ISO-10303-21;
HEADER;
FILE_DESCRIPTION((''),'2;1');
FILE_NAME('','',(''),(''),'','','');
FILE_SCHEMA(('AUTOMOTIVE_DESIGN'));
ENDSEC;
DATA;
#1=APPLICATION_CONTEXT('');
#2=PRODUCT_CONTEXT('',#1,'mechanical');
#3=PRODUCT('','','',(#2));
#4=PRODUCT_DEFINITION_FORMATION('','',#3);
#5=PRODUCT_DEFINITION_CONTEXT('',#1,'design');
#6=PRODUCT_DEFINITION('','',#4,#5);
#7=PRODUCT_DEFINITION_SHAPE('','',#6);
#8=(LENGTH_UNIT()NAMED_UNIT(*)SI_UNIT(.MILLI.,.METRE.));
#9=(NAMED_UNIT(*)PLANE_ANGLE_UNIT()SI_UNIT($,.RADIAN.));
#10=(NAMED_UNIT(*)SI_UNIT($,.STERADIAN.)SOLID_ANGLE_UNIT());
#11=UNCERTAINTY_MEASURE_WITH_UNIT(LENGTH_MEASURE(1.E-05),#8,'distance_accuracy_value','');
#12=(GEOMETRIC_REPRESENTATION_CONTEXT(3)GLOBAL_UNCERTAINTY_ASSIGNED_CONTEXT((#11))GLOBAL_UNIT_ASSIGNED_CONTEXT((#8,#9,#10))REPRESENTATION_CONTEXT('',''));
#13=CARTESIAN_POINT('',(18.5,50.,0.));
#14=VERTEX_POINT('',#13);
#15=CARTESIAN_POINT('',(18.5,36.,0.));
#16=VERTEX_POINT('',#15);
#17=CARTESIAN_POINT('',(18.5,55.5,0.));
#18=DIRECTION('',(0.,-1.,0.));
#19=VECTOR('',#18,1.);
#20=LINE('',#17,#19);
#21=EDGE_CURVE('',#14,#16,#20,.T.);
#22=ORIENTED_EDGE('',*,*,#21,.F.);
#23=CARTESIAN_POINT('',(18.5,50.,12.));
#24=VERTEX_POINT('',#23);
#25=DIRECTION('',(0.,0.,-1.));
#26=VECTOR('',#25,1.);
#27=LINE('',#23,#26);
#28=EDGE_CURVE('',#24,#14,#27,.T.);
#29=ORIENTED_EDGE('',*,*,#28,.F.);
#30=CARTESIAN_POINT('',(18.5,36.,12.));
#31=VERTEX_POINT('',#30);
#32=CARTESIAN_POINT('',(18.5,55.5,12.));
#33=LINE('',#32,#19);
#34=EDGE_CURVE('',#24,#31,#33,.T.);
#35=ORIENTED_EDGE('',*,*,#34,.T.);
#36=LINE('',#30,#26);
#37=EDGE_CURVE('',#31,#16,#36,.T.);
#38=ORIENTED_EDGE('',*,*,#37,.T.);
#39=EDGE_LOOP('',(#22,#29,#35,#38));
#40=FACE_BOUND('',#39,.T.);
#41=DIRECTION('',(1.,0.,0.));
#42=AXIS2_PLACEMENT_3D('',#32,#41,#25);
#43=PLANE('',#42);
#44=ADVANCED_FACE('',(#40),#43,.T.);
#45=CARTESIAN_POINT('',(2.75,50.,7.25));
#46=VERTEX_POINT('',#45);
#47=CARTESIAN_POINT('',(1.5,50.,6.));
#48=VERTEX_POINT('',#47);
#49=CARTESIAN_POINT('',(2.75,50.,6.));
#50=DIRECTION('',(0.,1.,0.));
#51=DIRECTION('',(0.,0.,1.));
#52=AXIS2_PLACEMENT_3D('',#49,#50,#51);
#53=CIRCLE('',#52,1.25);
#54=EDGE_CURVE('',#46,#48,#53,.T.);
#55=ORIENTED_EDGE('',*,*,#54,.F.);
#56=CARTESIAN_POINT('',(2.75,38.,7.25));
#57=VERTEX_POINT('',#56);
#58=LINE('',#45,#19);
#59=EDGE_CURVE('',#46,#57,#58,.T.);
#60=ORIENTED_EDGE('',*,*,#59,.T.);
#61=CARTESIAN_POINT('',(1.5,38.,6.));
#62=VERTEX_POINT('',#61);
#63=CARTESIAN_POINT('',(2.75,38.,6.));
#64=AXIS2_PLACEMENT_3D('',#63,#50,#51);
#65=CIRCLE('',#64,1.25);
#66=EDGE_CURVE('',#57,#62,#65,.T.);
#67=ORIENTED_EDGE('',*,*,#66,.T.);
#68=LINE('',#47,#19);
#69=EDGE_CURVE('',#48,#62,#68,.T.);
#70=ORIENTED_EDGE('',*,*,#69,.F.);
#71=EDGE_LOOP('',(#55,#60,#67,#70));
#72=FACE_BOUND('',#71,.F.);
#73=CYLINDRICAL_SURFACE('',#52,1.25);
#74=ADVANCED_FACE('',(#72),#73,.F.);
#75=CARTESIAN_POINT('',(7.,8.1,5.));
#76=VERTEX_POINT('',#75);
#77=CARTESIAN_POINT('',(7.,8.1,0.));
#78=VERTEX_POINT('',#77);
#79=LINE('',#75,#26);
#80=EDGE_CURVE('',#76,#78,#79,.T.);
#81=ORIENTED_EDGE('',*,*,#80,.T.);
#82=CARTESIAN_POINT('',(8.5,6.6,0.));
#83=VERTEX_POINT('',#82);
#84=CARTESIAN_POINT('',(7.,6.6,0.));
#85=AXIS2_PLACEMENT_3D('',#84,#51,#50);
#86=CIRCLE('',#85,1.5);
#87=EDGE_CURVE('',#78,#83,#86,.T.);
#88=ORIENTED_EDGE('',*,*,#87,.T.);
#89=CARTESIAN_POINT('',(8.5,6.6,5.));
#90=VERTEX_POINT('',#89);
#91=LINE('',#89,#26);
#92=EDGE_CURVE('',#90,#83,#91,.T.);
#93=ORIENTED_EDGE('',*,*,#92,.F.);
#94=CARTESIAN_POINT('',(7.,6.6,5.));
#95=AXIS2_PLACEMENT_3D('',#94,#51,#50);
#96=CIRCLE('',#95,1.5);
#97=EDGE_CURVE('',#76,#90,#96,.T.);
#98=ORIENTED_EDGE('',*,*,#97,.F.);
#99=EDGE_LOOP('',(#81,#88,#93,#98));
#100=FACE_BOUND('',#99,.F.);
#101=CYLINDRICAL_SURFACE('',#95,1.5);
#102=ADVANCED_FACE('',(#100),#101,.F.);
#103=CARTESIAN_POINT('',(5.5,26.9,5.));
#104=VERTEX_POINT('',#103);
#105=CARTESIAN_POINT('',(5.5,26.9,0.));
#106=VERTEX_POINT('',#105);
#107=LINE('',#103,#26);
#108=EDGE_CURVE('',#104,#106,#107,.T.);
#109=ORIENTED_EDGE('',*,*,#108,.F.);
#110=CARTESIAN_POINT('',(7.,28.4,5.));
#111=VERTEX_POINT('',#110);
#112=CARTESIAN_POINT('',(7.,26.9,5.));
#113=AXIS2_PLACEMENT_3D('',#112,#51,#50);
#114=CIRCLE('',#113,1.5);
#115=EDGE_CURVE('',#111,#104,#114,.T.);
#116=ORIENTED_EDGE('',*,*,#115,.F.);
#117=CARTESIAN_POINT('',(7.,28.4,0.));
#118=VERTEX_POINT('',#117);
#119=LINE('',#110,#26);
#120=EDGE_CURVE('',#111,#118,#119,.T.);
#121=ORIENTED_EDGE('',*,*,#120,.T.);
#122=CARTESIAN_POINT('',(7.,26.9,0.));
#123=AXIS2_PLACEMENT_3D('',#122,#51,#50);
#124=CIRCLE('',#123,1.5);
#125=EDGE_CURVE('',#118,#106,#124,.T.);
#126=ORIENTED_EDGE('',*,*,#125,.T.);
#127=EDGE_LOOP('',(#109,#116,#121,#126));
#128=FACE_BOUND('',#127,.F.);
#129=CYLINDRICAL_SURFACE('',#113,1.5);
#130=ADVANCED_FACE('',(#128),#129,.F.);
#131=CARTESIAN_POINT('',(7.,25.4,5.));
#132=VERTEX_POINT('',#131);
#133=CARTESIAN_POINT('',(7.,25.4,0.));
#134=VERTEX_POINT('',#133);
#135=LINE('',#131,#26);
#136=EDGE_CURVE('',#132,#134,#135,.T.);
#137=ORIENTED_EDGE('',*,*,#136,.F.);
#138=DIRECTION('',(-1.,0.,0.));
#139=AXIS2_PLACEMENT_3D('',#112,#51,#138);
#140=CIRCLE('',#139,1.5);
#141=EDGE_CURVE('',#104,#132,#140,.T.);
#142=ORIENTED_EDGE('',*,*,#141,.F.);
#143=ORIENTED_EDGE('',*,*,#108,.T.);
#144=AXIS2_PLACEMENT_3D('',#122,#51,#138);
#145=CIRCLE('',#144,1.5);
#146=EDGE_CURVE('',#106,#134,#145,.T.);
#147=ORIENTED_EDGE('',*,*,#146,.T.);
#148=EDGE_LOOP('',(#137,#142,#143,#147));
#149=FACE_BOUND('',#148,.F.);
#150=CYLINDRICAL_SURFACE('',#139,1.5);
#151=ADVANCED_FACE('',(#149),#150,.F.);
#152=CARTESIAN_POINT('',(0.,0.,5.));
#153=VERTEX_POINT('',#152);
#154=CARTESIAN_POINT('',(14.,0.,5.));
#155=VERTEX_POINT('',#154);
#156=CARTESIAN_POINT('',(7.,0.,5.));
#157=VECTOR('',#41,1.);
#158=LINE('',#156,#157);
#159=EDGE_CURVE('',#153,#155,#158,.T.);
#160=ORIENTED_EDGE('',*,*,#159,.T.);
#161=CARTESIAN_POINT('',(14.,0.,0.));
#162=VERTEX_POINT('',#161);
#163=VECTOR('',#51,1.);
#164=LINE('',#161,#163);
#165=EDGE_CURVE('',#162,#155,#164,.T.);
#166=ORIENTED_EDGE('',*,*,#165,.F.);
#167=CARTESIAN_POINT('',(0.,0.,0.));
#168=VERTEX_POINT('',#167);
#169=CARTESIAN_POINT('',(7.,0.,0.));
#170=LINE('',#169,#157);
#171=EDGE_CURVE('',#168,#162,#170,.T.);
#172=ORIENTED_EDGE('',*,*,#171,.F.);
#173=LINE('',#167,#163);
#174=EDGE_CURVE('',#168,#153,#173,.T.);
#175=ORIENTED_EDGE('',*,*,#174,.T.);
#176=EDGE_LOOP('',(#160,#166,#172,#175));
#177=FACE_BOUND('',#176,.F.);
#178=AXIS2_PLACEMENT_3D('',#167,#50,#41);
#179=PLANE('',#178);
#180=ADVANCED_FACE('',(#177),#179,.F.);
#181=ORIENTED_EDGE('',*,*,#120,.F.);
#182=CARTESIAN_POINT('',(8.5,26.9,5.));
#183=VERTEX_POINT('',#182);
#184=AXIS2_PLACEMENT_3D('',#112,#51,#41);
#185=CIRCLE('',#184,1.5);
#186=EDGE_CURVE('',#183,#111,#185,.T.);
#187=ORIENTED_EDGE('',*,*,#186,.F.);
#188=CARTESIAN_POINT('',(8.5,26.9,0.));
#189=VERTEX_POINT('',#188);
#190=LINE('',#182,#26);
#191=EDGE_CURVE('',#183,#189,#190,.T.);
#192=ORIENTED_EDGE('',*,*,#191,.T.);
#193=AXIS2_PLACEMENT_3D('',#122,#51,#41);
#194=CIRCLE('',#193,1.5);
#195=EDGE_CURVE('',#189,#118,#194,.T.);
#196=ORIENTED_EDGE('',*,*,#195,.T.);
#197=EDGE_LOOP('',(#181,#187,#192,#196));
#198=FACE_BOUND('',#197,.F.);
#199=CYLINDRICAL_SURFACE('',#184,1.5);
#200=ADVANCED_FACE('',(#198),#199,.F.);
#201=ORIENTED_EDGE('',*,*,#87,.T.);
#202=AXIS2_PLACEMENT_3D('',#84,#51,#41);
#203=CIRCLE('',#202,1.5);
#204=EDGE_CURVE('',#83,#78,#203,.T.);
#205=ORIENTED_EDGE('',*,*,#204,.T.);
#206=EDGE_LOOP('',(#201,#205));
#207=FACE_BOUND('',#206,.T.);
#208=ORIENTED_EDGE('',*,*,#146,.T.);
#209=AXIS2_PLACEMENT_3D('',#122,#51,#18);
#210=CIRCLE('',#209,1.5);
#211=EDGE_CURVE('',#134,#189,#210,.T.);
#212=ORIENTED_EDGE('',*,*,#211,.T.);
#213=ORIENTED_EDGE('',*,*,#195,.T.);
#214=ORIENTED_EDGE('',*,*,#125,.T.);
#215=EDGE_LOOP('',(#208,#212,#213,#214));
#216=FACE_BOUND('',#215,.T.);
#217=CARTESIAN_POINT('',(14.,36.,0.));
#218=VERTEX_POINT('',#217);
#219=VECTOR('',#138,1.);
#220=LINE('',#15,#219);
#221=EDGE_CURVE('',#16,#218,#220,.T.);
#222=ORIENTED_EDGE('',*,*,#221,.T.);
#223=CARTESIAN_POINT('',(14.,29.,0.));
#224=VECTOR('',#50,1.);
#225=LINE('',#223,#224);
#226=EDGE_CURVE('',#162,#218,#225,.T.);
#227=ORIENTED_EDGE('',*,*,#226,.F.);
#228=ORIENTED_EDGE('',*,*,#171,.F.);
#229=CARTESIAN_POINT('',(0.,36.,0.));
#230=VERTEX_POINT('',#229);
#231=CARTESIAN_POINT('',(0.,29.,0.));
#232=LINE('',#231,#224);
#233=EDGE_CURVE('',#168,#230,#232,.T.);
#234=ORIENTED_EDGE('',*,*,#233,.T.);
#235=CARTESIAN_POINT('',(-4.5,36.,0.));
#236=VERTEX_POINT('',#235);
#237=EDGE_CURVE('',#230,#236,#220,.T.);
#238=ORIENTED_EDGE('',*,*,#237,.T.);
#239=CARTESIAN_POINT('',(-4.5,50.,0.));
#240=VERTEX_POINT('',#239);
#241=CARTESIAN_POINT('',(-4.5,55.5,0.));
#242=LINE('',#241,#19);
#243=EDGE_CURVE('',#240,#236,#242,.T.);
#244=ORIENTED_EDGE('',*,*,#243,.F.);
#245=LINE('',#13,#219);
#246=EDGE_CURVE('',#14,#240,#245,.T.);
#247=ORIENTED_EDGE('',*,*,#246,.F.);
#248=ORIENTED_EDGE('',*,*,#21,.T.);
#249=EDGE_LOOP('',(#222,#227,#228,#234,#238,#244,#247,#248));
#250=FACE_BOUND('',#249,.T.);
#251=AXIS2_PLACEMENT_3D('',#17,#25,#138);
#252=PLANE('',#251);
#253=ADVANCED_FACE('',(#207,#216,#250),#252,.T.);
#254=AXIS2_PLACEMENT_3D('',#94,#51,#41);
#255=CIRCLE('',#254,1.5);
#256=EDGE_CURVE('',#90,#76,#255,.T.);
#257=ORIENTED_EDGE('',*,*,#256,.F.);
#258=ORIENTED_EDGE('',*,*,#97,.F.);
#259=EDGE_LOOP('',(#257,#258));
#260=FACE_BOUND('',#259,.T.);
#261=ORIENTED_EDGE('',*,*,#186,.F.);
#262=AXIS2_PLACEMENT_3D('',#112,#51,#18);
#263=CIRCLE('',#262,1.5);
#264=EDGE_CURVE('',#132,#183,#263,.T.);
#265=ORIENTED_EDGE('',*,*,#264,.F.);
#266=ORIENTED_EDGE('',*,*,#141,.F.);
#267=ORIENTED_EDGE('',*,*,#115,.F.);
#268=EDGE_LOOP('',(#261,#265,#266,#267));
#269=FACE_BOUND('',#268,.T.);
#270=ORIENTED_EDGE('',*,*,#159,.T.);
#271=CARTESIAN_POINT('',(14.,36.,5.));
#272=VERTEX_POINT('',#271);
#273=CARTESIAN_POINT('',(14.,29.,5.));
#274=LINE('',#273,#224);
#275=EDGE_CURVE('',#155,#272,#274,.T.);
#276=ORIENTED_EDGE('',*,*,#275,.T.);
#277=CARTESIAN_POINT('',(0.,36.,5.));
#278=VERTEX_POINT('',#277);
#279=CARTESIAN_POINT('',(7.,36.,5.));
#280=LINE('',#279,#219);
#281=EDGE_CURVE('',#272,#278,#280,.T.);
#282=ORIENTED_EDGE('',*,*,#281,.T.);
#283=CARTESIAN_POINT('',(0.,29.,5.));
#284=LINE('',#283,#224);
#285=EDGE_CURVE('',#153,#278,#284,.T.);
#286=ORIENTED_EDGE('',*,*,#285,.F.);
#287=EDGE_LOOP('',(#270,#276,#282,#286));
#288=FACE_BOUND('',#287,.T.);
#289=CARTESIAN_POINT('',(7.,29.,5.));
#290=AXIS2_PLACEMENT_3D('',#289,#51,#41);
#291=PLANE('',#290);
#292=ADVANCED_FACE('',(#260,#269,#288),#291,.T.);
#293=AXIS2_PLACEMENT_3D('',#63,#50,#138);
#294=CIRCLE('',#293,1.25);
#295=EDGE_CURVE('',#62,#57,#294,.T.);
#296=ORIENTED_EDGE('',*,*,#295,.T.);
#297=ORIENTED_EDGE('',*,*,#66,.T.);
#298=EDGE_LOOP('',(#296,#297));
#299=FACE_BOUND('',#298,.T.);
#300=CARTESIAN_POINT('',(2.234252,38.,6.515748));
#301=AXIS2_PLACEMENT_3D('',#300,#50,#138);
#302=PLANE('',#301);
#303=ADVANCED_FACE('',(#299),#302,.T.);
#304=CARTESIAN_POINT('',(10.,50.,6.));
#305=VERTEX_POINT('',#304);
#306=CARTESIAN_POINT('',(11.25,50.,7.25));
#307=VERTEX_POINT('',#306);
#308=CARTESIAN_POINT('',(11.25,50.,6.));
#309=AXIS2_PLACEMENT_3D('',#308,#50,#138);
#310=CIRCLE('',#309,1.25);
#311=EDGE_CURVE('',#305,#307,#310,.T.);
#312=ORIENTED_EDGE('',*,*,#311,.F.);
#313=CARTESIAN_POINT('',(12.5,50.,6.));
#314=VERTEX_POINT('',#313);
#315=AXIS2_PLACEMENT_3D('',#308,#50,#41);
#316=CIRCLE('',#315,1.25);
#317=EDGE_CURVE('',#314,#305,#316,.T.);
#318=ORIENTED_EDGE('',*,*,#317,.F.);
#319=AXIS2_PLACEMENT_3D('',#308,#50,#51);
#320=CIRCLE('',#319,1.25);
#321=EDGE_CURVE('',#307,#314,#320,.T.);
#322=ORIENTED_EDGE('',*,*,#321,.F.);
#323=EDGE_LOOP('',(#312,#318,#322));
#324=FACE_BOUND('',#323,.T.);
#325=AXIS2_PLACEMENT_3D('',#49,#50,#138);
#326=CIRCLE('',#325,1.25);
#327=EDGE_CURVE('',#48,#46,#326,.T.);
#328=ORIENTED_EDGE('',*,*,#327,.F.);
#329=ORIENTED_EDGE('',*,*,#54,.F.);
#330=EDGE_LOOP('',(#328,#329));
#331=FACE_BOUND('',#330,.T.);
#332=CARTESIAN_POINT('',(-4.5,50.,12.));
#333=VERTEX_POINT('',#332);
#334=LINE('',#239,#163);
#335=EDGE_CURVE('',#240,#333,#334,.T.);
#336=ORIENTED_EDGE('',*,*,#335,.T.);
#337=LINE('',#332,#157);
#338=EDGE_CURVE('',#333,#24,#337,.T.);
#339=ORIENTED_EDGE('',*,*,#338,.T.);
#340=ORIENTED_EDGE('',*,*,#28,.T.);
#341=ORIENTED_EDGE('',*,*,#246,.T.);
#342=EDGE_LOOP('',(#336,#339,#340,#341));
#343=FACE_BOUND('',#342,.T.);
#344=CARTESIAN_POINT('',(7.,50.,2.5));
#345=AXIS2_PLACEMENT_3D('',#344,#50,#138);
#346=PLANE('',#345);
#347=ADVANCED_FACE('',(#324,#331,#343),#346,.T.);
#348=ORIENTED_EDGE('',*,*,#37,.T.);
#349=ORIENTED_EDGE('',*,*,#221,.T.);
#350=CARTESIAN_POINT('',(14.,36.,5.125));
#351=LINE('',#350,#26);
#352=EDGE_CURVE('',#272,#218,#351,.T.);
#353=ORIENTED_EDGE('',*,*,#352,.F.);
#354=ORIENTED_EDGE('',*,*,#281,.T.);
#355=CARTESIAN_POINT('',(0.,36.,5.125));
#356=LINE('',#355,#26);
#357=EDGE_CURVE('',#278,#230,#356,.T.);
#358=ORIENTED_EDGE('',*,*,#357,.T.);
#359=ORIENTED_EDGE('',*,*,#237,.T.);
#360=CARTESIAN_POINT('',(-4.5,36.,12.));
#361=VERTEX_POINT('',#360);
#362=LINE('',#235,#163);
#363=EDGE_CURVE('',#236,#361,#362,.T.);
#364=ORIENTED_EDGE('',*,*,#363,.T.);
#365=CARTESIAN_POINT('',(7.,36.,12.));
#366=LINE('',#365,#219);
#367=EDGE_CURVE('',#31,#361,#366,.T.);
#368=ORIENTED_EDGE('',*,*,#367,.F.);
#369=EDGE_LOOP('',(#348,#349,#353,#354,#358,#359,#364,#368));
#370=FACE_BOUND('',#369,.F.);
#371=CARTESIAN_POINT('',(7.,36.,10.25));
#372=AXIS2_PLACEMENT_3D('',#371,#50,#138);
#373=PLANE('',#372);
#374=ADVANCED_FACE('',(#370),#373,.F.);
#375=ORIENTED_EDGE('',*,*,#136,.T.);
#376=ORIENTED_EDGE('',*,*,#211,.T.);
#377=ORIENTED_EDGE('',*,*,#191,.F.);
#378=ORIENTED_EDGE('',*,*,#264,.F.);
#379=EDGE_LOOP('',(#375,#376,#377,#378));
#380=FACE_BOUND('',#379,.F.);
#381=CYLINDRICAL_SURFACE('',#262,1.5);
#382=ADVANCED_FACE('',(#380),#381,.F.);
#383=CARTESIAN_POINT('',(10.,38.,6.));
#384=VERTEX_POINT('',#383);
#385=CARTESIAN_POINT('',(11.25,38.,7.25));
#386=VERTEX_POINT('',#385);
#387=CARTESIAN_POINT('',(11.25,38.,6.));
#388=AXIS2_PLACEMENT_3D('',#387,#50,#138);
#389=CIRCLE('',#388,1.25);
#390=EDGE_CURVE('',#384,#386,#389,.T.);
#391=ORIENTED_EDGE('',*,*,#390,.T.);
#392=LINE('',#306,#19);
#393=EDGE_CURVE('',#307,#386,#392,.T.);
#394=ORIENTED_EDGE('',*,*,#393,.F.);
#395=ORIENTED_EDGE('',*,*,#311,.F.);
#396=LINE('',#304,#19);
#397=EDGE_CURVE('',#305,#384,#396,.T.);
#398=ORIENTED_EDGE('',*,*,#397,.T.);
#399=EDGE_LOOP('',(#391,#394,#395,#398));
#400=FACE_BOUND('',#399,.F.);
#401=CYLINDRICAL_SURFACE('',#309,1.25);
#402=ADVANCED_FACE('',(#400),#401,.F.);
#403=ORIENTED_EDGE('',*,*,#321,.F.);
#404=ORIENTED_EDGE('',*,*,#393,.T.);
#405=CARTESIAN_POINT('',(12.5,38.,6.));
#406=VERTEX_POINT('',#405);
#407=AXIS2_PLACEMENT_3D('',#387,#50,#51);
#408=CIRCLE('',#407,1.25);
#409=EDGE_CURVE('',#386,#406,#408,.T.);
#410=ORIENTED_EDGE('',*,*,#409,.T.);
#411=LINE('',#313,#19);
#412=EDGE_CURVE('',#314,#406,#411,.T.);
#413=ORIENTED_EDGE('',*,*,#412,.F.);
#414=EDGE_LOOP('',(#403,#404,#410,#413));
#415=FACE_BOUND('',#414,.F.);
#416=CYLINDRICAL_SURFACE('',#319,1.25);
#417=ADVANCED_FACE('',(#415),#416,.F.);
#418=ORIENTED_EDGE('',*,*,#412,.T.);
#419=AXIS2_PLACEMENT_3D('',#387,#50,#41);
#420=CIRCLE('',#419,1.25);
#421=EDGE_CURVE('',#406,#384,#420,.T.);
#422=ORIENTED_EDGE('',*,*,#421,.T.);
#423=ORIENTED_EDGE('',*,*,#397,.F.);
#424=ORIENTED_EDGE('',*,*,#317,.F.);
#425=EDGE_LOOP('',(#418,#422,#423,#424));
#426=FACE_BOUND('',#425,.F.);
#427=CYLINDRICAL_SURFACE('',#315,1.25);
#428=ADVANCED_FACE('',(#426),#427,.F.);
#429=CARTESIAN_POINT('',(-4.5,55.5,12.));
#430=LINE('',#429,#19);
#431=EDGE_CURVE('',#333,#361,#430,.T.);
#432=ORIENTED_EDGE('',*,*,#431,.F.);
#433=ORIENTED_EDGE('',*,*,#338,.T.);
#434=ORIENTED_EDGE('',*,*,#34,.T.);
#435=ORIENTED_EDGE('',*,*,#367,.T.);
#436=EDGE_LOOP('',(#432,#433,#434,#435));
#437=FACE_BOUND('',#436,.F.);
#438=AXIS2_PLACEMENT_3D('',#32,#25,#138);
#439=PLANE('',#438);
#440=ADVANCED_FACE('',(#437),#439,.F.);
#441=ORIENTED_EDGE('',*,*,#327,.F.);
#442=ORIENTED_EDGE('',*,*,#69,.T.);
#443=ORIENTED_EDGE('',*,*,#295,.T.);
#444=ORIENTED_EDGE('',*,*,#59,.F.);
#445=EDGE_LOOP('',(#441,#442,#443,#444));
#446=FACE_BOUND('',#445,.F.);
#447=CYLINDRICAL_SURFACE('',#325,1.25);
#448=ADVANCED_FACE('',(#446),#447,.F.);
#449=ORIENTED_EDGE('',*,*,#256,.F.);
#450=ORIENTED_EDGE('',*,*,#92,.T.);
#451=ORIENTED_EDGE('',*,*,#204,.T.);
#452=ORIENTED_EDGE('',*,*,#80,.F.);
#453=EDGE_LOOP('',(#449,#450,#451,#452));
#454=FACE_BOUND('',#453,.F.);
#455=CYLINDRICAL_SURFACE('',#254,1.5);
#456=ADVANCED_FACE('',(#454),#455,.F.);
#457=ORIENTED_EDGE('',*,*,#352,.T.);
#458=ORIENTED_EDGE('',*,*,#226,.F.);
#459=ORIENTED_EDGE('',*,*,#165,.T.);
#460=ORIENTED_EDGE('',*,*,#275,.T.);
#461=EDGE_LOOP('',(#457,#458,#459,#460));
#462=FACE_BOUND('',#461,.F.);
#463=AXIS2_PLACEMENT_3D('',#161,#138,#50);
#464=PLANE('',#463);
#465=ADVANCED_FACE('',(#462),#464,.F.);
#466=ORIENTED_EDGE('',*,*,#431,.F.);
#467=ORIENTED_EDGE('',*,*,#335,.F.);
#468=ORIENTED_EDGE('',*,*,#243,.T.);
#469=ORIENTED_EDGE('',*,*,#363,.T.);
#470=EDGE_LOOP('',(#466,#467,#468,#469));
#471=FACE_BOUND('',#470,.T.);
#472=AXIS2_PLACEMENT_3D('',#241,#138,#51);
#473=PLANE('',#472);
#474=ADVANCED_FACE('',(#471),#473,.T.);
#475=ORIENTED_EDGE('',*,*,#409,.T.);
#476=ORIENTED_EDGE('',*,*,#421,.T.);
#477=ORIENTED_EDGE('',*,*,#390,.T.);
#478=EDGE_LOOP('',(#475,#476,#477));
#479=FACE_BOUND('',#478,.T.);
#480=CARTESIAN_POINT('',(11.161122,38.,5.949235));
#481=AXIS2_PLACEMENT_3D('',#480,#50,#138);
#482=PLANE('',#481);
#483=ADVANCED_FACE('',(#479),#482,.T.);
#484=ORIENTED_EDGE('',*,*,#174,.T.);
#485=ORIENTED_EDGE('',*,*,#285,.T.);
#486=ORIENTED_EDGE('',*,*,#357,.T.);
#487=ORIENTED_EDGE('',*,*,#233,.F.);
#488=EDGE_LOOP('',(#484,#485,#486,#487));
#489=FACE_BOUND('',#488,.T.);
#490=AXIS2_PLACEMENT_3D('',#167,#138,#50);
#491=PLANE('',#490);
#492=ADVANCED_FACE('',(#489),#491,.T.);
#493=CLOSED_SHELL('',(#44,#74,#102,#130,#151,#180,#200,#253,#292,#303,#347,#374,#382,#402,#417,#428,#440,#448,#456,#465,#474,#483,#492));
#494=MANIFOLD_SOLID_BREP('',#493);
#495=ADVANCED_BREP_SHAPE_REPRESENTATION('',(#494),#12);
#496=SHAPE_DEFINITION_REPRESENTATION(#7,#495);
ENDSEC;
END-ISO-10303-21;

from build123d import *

# Parameters (mm, degrees)
F0_W      = 14
F0_H      = 58
F1_DEPTH  = 5
F3_DEPTH  = 25
F5_W      = 23
F5_H      = 3.5
F6_DEPTH  = 19.5
F7_W      = 14
F7_H      = 5
F8_DEPTH  = 8
F10_DEPTH = 12


with BuildPart() as f1:
    # F0 (on Top) → F1 (new body)
    with BuildSketch(Plane.XY):
        with Locations((7, 29)):
            Rectangle(F0_W, F0_H)
    extrude(amount=F1_DEPTH)

    # F2 (on face) → F3 (cut)
    with BuildSketch(Plane.XY.offset(5)):
        with BuildLine():
            ThreePointArc((8.5, 26.9), (8.0606601718, 27.9606601718), (7, 28.4))
            Line((7, 28.4), (7, 26.9))
            Line((7, 26.9), (8.5, 26.9))
        make_face()
        with BuildLine():
            Line((7, 26.9), (7, 28.4))
            ThreePointArc((7, 28.4), (5.9393398282, 27.9606601718), (5.5, 26.9))
            Line((5.5, 26.9), (7, 26.9))
        make_face()
        with BuildLine():
            Line((7, 25.4), (7, 26.9))
            Line((7, 26.9), (5.5, 26.9))
            ThreePointArc((5.5, 26.9), (5.9393398282, 25.8393398282), (7, 25.4))
        make_face()
        with BuildLine():
            Line((8.5, 26.9), (7, 26.9))
            Line((7, 26.9), (7, 25.4))
            ThreePointArc((7, 25.4), (8.0606601718, 25.8393398282), (8.5, 26.9))
        make_face()
        with BuildLine():
            ThreePointArc((8.5, 6.6), (8.0606601718, 7.6606601718), (7, 8.1))
            Line((7, 8.1), (7, 6.6))
            Line((7, 6.6), (8.5, 6.6))
        make_face()
        with BuildLine():
            Line((7, 6.6), (7, 8.1))
            ThreePointArc((7, 8.1), (5.9393398282, 5.5393398282), (8.5, 6.6))
            Line((8.5, 6.6), (7, 6.6))
        make_face()
    extrude(amount=-F3_DEPTH, mode=Mode.SUBTRACT)

    # F5 (on offset) → F6 (join)
    with BuildSketch(Plane(origin=(0, 55.5, 0), x_dir=(-1, 0, 0), z_dir=(0, 1, 0))):
        with Locations((-7, 10.25)):
            Rectangle(F5_W, F5_H)
        Polygon((-18.5, 0), (0, 0), (4.5, 0), (4.5, 8.5), (-18.5, 8.5), align=None)
    extrude(amount=-F6_DEPTH)

    # F7 (on face) → F8 (cut)
    with BuildSketch(Plane(origin=(0, 58, 0), x_dir=(-1, 0, 0), z_dir=(0, 1, 0))):
        with Locations((-7, 2.5)):
            Rectangle(F7_W, F7_H)
        Polygon((-18.5, 0), (-14, 0), (-14, 5), (0, 5), (0, 8.5), (-18.5, 8.5), align=None)
        Polygon((0, 5), (0, 0), (4.5, 0), (4.5, 8.5), (0, 8.5), align=None)
        Polygon((-18.5, 8.5), (0, 8.5), (4.5, 8.5), (4.5, 12), (-18.5, 12), align=None)
    extrude(amount=-F8_DEPTH, mode=Mode.SUBTRACT)

    # F9 (on face) → F10 (cut)
    with BuildSketch(Plane(origin=(0, 50, 0), x_dir=(-1, 0, 0), z_dir=(0, 1, 0))):
        with BuildLine():
            ThreePointArc((-10, 6), (-10.3661165235, 6.8838834765), (-11.25, 7.25))
            Line((-11.25, 7.25), (-11.25, 6))
            Line((-11.25, 6), (-12.5, 6))
            ThreePointArc((-12.5, 6), (-11.25, 4.75), (-10, 6))
        make_face()
        with BuildLine():
            Line((-11.25, 6), (-11.25, 7.25))
            ThreePointArc((-11.25, 7.25), (-12.1338834765, 6.8838834765), (-12.5, 6))
            Line((-12.5, 6), (-11.25, 6))
        make_face()
        with BuildLine():
            ThreePointArc((-1.5, 6), (-1.8661165235, 6.8838834765), (-2.75, 7.25))
            Line((-2.75, 7.25), (-2.75, 6))
            Line((-2.75, 6), (-1.5, 6))
        make_face()
        with BuildLine():
            Line((-2.75, 6), (-2.75, 7.25))
            ThreePointArc((-2.75, 7.25), (-3.6338834765, 5.1161165235), (-1.5, 6))
            Line((-1.5, 6), (-2.75, 6))
        make_face()
    extrude(amount=-F10_DEPTH, mode=Mode.SUBTRACT)


solid = f1.part
